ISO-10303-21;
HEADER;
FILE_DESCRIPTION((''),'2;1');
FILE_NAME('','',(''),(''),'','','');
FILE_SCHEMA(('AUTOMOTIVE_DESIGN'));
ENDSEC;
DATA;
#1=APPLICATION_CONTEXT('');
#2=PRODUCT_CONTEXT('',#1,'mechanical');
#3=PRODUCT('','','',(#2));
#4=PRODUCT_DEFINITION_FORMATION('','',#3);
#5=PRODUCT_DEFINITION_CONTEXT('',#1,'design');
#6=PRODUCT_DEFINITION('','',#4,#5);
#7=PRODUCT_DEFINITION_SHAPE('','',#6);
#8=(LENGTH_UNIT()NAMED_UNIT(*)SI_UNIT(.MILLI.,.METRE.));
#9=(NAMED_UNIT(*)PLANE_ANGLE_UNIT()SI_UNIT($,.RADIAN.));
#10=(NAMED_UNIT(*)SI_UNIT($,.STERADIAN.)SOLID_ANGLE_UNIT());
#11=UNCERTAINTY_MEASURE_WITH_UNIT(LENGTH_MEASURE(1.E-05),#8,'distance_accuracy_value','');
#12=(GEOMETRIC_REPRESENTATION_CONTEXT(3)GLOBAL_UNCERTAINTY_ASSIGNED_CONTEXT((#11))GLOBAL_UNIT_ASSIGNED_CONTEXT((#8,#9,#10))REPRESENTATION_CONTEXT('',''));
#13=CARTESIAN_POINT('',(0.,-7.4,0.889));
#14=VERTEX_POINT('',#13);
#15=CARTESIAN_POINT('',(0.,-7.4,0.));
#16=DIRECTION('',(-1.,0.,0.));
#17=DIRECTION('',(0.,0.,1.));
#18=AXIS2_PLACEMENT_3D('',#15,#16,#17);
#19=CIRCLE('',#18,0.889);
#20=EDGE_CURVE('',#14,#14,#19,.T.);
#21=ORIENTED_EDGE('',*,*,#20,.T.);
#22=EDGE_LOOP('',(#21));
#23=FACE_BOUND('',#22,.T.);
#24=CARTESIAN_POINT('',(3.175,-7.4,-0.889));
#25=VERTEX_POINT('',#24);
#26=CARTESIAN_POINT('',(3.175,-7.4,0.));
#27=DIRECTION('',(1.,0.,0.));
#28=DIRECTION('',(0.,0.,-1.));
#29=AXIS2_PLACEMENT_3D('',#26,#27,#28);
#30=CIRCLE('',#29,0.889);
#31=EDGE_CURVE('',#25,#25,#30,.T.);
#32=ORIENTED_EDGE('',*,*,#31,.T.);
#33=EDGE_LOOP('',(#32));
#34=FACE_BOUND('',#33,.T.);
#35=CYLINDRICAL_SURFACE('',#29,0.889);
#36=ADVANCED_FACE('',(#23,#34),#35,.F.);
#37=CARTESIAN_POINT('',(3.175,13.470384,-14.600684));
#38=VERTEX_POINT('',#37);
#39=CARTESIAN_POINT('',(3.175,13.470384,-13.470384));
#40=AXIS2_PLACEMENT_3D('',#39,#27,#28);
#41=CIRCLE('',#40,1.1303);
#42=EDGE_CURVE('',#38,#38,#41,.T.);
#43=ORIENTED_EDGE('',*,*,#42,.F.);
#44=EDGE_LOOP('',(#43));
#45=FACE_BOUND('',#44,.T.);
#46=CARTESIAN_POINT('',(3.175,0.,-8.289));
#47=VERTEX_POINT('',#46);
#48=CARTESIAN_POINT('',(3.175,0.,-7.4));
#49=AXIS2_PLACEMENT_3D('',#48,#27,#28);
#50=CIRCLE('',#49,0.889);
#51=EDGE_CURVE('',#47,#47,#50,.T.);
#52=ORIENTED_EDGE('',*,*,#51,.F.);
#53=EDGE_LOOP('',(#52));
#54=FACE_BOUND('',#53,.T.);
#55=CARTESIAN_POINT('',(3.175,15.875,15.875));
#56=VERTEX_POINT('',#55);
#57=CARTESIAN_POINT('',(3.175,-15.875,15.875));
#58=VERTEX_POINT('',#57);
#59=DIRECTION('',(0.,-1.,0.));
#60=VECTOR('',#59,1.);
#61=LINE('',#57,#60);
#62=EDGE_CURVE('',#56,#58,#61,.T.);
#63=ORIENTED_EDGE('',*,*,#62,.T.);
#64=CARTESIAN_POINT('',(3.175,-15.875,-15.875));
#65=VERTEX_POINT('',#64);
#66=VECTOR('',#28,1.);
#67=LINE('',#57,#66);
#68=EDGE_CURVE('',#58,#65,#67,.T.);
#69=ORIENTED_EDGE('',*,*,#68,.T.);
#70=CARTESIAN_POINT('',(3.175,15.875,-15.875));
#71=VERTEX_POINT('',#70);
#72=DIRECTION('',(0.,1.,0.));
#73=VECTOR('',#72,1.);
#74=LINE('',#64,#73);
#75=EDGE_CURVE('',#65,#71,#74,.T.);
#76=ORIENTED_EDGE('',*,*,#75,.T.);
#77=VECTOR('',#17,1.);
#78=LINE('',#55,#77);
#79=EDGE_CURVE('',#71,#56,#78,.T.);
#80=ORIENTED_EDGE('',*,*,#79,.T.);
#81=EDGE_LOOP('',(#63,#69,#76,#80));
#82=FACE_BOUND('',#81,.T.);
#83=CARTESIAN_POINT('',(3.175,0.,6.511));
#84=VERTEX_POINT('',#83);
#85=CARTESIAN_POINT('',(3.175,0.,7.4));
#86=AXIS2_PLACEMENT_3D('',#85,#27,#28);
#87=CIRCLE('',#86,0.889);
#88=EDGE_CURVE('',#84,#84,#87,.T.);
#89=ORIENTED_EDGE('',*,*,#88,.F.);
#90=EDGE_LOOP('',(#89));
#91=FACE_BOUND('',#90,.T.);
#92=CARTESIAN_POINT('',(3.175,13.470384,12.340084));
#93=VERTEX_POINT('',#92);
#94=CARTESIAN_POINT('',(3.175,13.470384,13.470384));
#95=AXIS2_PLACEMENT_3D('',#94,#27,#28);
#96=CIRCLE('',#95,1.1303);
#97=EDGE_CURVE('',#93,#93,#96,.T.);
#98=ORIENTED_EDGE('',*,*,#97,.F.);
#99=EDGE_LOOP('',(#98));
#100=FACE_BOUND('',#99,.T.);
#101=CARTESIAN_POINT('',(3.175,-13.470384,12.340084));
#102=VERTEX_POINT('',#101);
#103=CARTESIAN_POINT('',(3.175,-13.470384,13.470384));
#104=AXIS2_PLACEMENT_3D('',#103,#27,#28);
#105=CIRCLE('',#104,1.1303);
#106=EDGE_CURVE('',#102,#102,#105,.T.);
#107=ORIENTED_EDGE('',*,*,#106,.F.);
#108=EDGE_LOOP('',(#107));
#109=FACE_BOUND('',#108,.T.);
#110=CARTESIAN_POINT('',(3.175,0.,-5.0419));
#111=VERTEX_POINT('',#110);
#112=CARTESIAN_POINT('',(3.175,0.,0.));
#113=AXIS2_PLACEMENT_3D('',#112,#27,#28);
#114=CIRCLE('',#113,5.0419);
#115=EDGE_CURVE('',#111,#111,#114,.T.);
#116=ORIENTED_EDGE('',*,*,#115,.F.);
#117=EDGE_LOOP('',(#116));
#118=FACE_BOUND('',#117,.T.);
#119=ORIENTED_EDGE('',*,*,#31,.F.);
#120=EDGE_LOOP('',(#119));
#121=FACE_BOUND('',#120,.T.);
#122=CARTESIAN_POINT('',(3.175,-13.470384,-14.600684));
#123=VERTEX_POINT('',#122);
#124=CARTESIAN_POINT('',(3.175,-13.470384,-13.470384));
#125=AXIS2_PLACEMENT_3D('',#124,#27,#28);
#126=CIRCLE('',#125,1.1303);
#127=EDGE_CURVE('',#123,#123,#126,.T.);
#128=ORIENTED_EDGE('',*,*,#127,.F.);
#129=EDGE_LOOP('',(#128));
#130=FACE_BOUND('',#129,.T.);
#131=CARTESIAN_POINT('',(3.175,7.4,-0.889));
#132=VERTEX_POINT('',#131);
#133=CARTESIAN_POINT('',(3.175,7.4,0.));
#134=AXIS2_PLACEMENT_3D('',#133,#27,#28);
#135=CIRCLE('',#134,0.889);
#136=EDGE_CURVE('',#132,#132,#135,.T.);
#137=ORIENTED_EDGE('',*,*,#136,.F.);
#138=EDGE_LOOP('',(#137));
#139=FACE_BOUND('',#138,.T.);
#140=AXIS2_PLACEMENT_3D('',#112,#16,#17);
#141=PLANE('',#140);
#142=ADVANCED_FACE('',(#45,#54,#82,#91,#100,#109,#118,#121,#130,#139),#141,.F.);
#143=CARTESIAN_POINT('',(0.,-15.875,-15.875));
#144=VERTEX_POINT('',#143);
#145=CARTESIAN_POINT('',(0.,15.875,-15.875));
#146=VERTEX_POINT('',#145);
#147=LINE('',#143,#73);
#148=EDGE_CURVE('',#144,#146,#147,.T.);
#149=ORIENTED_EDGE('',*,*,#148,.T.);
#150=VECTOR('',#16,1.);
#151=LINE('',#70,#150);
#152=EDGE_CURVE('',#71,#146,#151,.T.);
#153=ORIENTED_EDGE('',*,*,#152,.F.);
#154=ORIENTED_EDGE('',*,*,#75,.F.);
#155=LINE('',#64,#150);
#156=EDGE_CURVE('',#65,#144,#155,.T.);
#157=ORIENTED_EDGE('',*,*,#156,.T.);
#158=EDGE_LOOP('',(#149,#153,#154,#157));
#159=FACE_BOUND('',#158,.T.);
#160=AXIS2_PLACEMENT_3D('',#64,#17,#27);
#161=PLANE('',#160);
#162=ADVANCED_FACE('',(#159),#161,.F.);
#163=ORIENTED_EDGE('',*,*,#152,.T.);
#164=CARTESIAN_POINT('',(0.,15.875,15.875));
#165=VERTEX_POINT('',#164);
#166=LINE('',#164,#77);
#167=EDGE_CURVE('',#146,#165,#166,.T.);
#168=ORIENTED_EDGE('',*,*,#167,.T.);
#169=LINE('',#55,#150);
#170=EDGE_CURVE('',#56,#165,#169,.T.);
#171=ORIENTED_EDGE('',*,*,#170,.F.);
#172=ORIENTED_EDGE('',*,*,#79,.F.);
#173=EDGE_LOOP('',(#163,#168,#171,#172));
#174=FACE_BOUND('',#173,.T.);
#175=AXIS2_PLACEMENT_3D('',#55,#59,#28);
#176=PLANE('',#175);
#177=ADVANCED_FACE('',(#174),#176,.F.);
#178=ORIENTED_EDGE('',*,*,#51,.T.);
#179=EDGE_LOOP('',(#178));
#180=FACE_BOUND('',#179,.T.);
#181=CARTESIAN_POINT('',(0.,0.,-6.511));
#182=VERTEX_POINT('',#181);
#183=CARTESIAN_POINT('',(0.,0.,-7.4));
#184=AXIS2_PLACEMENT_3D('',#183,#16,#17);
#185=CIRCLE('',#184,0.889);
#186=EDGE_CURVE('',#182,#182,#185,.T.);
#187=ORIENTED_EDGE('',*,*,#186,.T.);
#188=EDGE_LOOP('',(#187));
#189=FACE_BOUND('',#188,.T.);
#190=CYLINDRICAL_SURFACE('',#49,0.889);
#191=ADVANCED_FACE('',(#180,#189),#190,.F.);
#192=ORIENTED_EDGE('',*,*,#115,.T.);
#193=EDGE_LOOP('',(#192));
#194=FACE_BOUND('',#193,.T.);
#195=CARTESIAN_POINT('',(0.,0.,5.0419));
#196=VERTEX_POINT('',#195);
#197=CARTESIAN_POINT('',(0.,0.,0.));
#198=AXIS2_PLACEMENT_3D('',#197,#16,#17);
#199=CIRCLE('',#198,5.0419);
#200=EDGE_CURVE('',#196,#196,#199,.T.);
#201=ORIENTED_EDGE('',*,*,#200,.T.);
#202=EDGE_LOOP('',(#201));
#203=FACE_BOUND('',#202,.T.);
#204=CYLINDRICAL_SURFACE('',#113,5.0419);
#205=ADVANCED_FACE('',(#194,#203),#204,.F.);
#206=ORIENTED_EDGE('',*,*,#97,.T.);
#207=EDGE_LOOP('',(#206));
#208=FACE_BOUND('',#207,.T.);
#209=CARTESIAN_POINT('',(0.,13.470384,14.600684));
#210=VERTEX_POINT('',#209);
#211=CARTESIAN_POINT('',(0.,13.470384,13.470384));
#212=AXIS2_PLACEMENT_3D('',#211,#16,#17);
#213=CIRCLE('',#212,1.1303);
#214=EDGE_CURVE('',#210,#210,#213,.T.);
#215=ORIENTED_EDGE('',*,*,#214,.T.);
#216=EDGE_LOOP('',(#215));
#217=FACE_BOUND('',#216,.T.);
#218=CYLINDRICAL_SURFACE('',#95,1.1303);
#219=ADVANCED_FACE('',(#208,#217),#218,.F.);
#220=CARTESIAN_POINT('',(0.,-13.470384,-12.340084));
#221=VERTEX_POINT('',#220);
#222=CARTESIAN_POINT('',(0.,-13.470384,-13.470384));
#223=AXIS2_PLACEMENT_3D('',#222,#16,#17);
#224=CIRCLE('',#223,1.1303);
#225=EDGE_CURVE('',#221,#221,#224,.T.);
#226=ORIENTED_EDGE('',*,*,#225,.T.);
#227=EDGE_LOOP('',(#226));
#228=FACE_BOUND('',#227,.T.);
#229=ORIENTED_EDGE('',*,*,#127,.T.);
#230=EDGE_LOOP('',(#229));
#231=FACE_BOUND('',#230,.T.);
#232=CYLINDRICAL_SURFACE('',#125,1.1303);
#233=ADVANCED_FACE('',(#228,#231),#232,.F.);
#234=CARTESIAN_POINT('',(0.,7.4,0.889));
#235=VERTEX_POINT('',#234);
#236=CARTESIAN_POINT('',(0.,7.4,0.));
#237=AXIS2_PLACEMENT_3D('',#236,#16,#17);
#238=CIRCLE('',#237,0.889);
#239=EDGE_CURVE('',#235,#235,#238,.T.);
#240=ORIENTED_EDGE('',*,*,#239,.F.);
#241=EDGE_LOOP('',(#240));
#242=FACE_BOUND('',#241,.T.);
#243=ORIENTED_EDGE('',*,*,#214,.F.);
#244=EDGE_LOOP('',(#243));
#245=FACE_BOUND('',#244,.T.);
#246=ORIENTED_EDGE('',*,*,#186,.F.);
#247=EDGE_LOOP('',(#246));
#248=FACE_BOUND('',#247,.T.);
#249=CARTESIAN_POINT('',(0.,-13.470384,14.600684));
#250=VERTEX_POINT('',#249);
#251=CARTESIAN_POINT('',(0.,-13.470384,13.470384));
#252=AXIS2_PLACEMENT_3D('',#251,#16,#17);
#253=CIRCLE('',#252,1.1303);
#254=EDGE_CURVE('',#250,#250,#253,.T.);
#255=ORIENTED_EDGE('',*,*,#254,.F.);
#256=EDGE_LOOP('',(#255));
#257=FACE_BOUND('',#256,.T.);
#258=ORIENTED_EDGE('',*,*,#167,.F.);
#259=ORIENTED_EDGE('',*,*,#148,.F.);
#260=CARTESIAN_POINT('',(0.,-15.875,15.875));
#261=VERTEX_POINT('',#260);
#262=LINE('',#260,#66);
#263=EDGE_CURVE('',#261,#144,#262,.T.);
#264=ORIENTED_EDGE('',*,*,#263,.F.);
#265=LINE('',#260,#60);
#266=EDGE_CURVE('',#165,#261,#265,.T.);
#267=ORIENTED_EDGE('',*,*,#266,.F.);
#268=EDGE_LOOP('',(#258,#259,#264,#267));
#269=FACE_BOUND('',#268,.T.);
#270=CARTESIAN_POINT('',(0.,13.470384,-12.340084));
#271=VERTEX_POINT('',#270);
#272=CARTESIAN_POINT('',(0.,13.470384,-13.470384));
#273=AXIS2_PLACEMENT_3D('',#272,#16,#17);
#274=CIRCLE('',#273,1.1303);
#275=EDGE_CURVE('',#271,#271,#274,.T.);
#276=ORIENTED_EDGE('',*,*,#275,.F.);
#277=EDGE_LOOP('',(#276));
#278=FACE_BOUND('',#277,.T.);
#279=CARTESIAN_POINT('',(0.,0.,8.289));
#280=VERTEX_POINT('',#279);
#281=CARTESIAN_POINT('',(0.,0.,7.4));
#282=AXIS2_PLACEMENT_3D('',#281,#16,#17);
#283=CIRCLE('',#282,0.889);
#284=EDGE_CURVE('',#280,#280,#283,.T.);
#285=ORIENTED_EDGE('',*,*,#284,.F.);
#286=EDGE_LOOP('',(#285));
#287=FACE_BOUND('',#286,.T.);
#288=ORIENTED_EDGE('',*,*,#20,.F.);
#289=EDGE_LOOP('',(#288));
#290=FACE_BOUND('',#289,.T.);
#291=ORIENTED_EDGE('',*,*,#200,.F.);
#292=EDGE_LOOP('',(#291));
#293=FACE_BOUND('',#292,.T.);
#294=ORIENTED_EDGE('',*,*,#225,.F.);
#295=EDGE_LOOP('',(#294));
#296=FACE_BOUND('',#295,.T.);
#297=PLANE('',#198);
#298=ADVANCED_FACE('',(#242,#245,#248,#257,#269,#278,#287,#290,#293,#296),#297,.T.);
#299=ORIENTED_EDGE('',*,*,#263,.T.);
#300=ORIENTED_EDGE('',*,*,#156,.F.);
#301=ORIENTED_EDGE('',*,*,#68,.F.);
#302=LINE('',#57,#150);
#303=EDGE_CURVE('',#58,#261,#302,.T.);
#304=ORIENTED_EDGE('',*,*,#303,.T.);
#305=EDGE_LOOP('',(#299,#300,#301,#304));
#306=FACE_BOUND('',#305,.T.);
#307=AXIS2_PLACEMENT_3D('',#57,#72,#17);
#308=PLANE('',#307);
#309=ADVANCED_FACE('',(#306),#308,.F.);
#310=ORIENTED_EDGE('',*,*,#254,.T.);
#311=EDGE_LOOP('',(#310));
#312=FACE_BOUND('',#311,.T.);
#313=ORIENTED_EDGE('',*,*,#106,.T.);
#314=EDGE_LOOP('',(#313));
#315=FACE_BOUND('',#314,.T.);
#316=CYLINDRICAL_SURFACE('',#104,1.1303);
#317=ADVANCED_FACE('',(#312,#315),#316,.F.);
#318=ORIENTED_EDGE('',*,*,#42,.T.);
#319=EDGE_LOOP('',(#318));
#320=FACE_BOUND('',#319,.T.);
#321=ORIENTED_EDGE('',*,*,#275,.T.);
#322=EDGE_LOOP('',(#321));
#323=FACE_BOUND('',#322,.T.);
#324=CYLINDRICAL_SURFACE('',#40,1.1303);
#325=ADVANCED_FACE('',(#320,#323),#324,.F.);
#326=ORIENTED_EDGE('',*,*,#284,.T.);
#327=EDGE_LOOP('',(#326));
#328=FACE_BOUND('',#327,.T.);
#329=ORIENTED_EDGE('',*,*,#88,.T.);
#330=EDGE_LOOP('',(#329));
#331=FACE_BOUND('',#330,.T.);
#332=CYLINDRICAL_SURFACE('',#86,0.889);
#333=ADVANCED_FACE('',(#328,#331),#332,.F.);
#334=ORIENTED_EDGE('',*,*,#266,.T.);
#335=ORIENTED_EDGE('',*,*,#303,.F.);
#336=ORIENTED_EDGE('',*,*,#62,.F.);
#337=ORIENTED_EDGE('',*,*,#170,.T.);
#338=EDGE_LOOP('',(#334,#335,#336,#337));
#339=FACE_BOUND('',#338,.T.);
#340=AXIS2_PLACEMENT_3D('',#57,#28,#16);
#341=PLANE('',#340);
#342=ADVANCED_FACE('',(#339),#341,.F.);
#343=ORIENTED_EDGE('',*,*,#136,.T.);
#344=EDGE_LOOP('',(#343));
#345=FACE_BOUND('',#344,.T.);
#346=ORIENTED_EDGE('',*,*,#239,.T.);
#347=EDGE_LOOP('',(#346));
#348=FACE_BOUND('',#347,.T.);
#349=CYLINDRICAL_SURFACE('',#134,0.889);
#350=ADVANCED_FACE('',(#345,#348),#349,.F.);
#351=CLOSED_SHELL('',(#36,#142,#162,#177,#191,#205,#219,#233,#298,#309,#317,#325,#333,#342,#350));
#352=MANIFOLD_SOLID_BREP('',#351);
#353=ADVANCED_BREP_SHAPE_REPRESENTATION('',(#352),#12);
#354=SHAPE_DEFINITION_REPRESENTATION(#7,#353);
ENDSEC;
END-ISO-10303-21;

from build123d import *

# Parameters (mm, degrees)
SKETCH1_W                    = 31.75
SKETCH1_H                    = 31.75
BOSS_EXTRUDE1_DEPTH          = 3.175
X_0_397_DIAMETER_HOLE1_D     = 10.0838
X_0_397_DIAMETER_HOLE1_DEPTH = 12.7
X_0_397_DIAMETER_HOLE1_TIP   = 3.029479155
CIRPATTERN1_COUNT            = 4
CIRPATTERN2_COUNT            = 4


with BuildPart() as part:
    # Sketch1 → Boss-Extrude1 (new body)
    with BuildSketch(Plane(origin=(0, 0, 0), x_dir=(0, 0, -1), z_dir=(1, 0, 0))):
        Rectangle(SKETCH1_W, SKETCH1_H)
    extrude(amount=BOSS_EXTRUDE1_DEPTH)

    # X (0.397) Diameter Hole1
    with Locations(Plane(origin=(3.175, 0, 0), x_dir=(0, 0, -1), z_dir=(1, 0, 0))):
        with Locations((0, 0)):
            Hole(X_0_397_DIAMETER_HOLE1_D / 2, depth=X_0_397_DIAMETER_HOLE1_DEPTH)
            with Locations((0, 0, -(X_0_397_DIAMETER_HOLE1_DEPTH + X_0_397_DIAMETER_HOLE1_TIP / 2))):  # 118° drill point
                Cone(0, X_0_397_DIAMETER_HOLE1_D / 2, X_0_397_DIAMETER_HOLE1_TIP, mode=Mode.SUBTRACT)

    # Sketch4 → #2-56 Tapped Hole1 (revolve, cut)
    with BuildSketch(Plane(origin=(3.175, 7.4, 0), x_dir=(0, 0, -1), z_dir=(0, 1, 0))):
        Polygon((0, 0), (0, 7.13816509), (0.889, 6.604), (0.889, 0), align=None)
    f_2_56_tapped_hole1 = revolve(axis=Axis((9.525, 7.4, 0), (-1, 0, 0)), mode=Mode.SUBTRACT)

    # CirPattern1: #2-56 Tapped Hole1 ×4 about axis
    cirpattern1_axis = Axis((0, 0, 0), (1, 0, 0))
    for i in range(1, CIRPATTERN1_COUNT):
        add(f_2_56_tapped_hole1.rotate(cirpattern1_axis, i * 360 / CIRPATTERN1_COUNT), mode=Mode.SUBTRACT)

    # Sketch6 → #4-40 Tapped Hole1 (revolve, cut)
    with BuildSketch(Plane(origin=(3.175, 13.470384182, 13.470384182), x_dir=(0, 0, -1), z_dir=(0, 1, 0))):
        Polygon((0, 0), (0, 9.569152758), (1.1303, 8.89), (1.1303, 0), align=None)
    f_4_40_tapped_hole1 = revolve(axis=Axis((9.525, 13.470384182, 13.470384182), (-1, 0, 0)), mode=Mode.SUBTRACT)

    # CirPattern2: #4-40 Tapped Hole1 ×4 about axis
    cirpattern2_axis = Axis((0, 0, 0), (1, 0, 0))
    for i in range(1, CIRPATTERN2_COUNT):
        add(f_4_40_tapped_hole1.rotate(cirpattern2_axis, i * 360 / CIRPATTERN2_COUNT), mode=Mode.SUBTRACT)


solid = part.part
